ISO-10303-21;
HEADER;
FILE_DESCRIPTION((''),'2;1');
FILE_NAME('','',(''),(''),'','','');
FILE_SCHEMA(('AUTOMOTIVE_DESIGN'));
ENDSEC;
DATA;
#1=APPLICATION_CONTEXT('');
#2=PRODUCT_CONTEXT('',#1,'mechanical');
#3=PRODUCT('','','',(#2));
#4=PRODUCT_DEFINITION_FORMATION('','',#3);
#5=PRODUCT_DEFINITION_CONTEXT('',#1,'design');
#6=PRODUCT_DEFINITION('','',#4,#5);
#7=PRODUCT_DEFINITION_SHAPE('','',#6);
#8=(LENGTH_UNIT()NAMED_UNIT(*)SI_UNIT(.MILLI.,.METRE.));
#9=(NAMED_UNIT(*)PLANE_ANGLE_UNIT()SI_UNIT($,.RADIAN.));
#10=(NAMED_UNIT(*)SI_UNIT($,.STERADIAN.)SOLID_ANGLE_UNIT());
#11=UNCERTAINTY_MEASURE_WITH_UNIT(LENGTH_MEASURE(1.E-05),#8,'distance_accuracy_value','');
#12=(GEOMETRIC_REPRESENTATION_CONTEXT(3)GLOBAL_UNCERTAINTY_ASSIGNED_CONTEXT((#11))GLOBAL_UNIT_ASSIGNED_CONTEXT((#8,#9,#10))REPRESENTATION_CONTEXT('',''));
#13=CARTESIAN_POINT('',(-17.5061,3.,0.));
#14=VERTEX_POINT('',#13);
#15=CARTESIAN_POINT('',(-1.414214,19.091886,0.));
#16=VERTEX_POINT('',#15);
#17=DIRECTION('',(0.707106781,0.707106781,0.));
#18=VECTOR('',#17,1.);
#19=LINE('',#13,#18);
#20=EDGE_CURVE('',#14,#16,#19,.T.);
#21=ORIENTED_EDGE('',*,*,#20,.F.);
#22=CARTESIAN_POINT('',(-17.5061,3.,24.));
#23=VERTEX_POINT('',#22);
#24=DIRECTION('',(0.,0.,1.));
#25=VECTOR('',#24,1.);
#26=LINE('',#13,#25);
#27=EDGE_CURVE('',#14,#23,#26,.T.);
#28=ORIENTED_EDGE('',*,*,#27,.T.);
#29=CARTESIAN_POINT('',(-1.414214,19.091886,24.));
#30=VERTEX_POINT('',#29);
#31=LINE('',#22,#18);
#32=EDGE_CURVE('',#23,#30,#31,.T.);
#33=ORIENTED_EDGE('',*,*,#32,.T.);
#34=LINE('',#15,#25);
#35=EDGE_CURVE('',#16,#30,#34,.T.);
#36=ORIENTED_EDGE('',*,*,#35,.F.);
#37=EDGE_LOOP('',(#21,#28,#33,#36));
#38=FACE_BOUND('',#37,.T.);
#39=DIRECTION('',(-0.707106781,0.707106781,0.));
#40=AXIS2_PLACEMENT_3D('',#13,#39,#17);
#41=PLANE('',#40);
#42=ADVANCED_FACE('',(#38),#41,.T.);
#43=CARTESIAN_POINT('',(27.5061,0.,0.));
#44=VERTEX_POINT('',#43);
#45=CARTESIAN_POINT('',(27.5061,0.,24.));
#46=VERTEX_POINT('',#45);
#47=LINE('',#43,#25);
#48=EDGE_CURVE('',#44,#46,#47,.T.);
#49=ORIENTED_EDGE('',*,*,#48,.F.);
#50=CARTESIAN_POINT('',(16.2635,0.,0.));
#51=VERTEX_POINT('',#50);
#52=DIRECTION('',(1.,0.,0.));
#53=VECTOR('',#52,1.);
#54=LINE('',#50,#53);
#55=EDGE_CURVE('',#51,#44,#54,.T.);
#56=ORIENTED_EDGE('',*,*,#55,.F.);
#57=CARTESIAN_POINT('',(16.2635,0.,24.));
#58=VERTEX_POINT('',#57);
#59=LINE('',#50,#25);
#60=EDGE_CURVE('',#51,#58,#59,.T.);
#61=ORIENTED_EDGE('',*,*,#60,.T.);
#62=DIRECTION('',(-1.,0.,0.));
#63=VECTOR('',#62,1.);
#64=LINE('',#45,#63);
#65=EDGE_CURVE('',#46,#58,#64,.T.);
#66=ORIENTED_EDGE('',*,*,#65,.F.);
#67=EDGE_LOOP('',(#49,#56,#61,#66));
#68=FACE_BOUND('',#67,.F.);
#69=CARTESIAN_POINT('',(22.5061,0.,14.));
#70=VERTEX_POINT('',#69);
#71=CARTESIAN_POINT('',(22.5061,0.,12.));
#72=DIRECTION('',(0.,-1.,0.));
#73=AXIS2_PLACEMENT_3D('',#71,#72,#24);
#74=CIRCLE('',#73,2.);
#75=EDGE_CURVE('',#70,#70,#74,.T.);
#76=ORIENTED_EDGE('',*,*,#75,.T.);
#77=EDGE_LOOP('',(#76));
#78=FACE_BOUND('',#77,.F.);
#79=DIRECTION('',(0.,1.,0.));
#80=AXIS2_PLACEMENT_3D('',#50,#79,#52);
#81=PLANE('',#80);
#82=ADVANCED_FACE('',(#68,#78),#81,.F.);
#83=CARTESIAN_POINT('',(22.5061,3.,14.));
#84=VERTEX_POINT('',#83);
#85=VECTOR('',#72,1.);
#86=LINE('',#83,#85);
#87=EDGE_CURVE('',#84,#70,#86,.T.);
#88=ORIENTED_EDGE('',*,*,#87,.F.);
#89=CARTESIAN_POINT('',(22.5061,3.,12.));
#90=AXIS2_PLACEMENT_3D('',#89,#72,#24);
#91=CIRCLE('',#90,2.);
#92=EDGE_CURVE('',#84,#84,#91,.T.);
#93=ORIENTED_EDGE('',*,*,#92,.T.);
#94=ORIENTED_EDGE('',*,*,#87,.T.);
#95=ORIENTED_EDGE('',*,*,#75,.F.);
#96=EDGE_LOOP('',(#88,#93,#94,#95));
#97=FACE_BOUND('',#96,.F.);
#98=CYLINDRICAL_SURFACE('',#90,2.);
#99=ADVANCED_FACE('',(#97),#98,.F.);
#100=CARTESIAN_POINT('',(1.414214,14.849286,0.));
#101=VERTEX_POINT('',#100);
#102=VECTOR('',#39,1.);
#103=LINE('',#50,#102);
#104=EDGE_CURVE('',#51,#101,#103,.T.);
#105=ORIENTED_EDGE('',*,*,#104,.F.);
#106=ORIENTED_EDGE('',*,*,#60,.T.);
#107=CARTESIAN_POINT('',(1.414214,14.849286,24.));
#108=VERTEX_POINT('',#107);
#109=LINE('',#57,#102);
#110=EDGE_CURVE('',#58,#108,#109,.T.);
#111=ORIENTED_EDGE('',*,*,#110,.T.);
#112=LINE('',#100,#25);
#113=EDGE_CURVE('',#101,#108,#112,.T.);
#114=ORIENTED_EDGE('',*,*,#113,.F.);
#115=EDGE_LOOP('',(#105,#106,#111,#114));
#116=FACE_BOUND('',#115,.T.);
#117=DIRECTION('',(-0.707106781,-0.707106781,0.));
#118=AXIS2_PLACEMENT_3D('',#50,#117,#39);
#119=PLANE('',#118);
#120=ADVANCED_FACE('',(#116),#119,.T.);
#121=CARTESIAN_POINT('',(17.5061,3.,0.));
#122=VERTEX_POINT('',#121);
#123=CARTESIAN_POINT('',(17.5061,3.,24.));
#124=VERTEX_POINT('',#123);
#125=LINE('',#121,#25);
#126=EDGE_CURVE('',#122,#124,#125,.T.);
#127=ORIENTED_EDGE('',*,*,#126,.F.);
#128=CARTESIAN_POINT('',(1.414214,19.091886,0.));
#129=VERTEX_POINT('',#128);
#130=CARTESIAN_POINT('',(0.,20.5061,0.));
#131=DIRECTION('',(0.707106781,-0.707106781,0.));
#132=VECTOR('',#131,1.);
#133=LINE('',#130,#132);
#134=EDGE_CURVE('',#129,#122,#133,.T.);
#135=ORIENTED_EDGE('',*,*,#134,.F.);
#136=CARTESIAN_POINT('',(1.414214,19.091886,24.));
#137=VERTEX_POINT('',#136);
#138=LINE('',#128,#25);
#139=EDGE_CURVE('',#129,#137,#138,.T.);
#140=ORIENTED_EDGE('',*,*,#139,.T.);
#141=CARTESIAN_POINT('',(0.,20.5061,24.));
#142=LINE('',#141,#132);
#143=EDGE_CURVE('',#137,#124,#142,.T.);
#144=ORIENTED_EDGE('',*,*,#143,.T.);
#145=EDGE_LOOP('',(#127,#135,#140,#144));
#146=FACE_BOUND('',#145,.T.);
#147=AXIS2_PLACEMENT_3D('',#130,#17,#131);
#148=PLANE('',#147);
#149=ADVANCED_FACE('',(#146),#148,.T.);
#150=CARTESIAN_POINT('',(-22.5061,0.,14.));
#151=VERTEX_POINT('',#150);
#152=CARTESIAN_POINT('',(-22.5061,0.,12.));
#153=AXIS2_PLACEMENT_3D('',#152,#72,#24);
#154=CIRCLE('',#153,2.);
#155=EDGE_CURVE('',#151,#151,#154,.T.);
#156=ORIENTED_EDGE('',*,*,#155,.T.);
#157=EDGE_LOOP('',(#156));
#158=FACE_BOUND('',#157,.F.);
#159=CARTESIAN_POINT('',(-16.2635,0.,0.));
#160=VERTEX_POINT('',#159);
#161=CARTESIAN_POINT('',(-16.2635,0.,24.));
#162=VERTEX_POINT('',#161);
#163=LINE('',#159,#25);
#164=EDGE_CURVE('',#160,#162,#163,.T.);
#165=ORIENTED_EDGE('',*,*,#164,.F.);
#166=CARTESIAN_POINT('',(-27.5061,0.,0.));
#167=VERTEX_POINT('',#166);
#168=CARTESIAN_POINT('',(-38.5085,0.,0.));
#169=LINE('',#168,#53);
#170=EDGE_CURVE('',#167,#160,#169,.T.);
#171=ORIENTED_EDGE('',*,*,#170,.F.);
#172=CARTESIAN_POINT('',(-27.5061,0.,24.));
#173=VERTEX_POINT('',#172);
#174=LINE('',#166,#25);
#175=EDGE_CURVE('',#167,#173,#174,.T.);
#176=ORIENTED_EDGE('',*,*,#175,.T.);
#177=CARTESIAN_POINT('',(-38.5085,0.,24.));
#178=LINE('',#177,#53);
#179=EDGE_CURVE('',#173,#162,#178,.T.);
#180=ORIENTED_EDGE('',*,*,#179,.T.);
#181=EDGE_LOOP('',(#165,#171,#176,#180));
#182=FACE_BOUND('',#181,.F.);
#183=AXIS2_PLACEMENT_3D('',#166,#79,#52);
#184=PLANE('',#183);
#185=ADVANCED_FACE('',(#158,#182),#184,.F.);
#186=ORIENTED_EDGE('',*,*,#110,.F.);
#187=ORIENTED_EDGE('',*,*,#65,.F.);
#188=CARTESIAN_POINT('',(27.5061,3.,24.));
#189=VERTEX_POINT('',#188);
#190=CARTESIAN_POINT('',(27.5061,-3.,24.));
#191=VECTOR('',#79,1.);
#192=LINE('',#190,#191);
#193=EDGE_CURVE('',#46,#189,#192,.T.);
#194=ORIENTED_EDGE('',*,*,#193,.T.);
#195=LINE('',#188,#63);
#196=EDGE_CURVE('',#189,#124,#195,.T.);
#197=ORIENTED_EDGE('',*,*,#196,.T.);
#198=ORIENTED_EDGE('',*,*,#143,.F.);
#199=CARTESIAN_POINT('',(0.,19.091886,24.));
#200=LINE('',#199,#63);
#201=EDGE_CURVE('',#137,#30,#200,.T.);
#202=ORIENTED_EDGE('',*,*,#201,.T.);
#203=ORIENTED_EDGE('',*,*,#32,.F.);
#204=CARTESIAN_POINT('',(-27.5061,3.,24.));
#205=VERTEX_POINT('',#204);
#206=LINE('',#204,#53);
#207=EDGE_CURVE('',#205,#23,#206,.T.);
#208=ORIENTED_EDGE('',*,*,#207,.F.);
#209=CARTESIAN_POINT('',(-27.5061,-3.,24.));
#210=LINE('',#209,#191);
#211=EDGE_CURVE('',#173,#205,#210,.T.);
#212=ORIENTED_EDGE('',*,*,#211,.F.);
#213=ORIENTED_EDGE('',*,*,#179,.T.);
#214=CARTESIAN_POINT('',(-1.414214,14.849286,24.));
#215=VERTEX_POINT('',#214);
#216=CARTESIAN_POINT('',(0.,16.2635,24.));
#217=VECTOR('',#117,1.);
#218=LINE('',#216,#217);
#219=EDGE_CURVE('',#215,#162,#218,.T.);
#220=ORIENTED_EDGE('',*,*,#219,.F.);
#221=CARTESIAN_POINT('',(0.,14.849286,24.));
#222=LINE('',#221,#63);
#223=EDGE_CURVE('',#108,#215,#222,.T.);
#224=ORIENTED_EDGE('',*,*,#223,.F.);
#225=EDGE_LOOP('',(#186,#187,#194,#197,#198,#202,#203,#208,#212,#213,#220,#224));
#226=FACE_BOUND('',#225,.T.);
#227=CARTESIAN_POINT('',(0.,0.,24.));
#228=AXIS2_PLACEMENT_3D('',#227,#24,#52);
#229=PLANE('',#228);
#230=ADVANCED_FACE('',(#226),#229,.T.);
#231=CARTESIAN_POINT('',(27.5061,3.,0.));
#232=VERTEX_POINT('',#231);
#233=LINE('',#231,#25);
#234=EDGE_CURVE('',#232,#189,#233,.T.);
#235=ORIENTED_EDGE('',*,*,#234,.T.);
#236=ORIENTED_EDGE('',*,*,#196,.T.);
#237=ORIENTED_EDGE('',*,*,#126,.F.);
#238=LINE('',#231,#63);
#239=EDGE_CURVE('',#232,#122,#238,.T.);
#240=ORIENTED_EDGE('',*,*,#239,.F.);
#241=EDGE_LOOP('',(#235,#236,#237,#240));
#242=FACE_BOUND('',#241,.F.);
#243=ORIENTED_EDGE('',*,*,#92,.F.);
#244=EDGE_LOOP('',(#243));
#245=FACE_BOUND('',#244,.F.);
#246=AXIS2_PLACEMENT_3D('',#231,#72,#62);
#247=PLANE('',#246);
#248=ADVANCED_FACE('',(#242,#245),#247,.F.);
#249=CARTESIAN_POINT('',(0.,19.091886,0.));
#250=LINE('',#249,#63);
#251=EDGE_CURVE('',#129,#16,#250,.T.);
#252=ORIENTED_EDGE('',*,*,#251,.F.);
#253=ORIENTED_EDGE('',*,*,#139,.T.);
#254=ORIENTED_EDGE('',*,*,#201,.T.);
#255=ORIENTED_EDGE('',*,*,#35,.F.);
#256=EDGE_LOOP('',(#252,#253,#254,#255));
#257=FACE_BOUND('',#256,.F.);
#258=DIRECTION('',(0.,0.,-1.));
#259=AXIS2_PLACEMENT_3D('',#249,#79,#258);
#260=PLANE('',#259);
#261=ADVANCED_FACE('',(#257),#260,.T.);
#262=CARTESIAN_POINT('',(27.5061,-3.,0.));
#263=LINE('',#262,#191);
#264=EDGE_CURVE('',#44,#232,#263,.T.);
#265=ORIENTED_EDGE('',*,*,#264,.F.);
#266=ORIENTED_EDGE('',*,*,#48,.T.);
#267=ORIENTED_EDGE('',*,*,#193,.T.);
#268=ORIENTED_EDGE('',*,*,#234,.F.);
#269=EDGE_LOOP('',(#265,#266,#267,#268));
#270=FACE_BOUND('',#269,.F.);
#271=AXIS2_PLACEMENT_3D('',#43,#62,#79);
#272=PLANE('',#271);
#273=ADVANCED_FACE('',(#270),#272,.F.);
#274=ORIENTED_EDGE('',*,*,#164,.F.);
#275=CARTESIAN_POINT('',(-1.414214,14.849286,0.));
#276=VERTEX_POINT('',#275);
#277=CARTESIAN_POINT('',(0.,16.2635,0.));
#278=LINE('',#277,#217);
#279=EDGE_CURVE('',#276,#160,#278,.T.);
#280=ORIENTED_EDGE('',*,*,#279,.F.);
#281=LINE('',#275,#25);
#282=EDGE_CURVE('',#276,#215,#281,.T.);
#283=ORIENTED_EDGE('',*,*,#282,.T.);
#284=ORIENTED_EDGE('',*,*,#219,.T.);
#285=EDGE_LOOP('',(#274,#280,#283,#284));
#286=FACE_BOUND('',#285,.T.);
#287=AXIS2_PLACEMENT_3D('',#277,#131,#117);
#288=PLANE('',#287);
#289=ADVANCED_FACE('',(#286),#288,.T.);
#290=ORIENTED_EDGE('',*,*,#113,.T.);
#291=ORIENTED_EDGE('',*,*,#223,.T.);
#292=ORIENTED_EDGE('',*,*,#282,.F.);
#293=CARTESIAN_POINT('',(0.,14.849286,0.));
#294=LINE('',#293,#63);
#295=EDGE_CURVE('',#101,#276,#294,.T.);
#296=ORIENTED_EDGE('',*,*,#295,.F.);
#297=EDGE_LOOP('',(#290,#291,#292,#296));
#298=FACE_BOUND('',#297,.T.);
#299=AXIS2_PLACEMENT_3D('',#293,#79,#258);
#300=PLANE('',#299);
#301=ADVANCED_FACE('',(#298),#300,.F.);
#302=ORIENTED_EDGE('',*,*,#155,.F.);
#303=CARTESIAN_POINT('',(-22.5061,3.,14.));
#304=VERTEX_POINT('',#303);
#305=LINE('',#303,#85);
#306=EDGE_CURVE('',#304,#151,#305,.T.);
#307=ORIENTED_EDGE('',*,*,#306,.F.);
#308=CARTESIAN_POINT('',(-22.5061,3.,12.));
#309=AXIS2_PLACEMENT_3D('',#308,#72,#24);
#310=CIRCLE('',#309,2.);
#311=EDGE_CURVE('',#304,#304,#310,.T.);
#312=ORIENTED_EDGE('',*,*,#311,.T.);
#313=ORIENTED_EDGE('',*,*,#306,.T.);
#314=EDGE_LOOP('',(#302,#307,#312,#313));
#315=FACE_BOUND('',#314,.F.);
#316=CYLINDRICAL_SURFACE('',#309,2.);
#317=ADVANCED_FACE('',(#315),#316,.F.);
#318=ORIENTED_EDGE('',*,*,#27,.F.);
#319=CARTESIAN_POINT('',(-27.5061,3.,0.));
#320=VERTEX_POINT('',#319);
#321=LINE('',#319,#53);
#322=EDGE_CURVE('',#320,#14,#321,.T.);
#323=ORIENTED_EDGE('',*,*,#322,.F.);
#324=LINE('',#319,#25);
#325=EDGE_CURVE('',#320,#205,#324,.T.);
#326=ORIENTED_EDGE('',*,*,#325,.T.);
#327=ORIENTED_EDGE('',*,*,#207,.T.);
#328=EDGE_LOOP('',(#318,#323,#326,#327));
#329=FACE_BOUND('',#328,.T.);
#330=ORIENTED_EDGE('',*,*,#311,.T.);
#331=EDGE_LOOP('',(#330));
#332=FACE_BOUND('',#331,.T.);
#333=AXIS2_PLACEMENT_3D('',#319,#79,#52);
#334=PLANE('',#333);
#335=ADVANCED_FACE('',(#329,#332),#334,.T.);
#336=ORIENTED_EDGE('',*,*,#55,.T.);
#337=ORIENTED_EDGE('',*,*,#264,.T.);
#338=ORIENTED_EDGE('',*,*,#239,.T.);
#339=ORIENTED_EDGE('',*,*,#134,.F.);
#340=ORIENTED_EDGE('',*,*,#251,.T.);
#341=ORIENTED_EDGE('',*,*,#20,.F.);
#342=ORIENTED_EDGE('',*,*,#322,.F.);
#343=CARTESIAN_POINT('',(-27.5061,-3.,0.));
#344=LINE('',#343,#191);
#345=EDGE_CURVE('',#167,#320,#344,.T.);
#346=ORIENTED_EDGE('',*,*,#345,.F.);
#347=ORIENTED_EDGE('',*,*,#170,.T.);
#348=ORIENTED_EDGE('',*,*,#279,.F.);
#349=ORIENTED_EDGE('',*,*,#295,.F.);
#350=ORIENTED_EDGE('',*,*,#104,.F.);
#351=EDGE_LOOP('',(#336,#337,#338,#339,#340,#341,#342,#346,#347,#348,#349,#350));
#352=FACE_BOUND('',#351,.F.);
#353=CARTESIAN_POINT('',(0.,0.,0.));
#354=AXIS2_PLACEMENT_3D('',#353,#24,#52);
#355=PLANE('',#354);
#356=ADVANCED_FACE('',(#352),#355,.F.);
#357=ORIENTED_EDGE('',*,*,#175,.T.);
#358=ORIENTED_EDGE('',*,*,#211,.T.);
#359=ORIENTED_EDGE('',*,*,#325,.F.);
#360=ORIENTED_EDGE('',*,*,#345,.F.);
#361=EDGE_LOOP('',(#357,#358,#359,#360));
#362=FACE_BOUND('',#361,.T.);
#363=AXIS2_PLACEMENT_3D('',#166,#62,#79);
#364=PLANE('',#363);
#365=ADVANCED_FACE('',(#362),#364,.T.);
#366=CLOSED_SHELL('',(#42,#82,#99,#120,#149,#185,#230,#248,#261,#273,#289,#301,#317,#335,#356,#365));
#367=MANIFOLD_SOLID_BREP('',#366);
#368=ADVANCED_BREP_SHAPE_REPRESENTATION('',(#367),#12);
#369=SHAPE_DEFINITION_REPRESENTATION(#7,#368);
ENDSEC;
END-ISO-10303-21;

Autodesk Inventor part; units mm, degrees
ref_plane "YZ Plane" through (0, 0, 0) normal (1, 0, 0) x (0, 1, 0)
ref_plane "XZ Plane" through (0, 0, 0) normal (0, 1, 0) x (-1, 0, 0)
ref_plane "XY Plane" through (0, 0, 0) normal (0, 0, 1) x (1, 0, 0)
sketch "Sketch1" plane through (0, 0, 0) normal (0, 0, 1) x (1, 0, 0)
  line L0 (0, -28.7085) -> (0, 28.7085) projected
  line L1 (0, 28.7085) -> (0, -28.7085) projected
  line L2 (-38.5085, 0) -> (38.5085, 0) projected
  line L3 (0, -16.2635) -> (16.2635, 0)
  line L4 (16.2635, 0) -> (0, 16.2635)
  line L5 (0, 16.2635) -> (-16.2635, 0)
  line L6 (-16.2635, 0) -> (0, -16.2635)
  line L7 (0, -16.2635) -> (0, 16.2635) construction
  line L8 (16.2635, 0) -> (-16.2635, 0) construction
  line L9 (0, -16.2635) -> (23, -16.2635) construction
  line L10 (0, -20.5061) -> (-17.5061, -3)
  line L11 (-17.5061, -3) -> (-27.5061, -3)
  line L12 (-27.5061, -3) -> (-27.5061, 3)
  line L13 (-27.5061, 3) -> (-17.5061, 3)
  line L14 (-17.5061, 3) -> (0, 20.5061)
  line L15 (0, 20.5061) -> (17.5061, 3)
  line L16 (17.5061, -3) -> (0, -20.5061)
  line L17 (-38.5085, 0) -> (38.5085, 0) projected
  line L18 (-27.5061, 0) -> (-16.2635, 0)
  line L19 (16.2635, 0) -> (23.5061, 0)
  line L20 (17.5061, -3) -> (27.5061, -3)
  line L21 (27.5061, -3) -> (27.5061, 3)
  line L22 (27.5061, 3) -> (17.5061, 3)
  line L23 (16.2635, 0) -> (27.5061, 0)
  point P0 (0, 0)
  point P1 (-16.2635, 0)
  point P2 (16.2635, 0)
  point P3 (27.5061, 0)
  dimension "d34" = 23
  dimension "d35" = 45
  dimension "d36" = 23
  dimension "d37" = 3
  dimension "d38" = 3
  dimension "d39" = 45
  dimension "d41" = 6
  dimension "d49" = 10
  dimension "d50" = 6
  dimension "d51" = 3
  dimension "d52" = 10
extrude "Extrusion2" add sketch "Sketch1" along normal blind 24 contours L4 L0 L15 L22 L21 L2 | L2 L12 L13 L14 L0 L5
sketch "Sketch3" plane through (-27.5061, 3, 0) normal (0, 1, 0) x (1, 0, 0)
  line L0 (66.0146, 0) -> (-11.0024, 0) projected
  line L1 (0, 0) -> (0, -24) projected
  line L2 (55.0122, 0) -> (55.0122, -24) projected
  point P0 (27.5061, 0)
  point P1 (5, -12)
  point P2 (50.0122, -12)
  dimension "d55" = 12
  dimension "d56" = 12
  dimension "d57" = 5
  dimension "d58" = 5
hole "Hole1" at (-22.5061, 3, 12) at (22.5061, 3, 12) direction (0, -1, 0) diameter 4 end through all
chamfer "Chamfer1" distance 2 angle 45 2 edges at (0, 20.5061, 12) (0, 16.2635, 12)
properties part number "Fan_top_3DPrint"
